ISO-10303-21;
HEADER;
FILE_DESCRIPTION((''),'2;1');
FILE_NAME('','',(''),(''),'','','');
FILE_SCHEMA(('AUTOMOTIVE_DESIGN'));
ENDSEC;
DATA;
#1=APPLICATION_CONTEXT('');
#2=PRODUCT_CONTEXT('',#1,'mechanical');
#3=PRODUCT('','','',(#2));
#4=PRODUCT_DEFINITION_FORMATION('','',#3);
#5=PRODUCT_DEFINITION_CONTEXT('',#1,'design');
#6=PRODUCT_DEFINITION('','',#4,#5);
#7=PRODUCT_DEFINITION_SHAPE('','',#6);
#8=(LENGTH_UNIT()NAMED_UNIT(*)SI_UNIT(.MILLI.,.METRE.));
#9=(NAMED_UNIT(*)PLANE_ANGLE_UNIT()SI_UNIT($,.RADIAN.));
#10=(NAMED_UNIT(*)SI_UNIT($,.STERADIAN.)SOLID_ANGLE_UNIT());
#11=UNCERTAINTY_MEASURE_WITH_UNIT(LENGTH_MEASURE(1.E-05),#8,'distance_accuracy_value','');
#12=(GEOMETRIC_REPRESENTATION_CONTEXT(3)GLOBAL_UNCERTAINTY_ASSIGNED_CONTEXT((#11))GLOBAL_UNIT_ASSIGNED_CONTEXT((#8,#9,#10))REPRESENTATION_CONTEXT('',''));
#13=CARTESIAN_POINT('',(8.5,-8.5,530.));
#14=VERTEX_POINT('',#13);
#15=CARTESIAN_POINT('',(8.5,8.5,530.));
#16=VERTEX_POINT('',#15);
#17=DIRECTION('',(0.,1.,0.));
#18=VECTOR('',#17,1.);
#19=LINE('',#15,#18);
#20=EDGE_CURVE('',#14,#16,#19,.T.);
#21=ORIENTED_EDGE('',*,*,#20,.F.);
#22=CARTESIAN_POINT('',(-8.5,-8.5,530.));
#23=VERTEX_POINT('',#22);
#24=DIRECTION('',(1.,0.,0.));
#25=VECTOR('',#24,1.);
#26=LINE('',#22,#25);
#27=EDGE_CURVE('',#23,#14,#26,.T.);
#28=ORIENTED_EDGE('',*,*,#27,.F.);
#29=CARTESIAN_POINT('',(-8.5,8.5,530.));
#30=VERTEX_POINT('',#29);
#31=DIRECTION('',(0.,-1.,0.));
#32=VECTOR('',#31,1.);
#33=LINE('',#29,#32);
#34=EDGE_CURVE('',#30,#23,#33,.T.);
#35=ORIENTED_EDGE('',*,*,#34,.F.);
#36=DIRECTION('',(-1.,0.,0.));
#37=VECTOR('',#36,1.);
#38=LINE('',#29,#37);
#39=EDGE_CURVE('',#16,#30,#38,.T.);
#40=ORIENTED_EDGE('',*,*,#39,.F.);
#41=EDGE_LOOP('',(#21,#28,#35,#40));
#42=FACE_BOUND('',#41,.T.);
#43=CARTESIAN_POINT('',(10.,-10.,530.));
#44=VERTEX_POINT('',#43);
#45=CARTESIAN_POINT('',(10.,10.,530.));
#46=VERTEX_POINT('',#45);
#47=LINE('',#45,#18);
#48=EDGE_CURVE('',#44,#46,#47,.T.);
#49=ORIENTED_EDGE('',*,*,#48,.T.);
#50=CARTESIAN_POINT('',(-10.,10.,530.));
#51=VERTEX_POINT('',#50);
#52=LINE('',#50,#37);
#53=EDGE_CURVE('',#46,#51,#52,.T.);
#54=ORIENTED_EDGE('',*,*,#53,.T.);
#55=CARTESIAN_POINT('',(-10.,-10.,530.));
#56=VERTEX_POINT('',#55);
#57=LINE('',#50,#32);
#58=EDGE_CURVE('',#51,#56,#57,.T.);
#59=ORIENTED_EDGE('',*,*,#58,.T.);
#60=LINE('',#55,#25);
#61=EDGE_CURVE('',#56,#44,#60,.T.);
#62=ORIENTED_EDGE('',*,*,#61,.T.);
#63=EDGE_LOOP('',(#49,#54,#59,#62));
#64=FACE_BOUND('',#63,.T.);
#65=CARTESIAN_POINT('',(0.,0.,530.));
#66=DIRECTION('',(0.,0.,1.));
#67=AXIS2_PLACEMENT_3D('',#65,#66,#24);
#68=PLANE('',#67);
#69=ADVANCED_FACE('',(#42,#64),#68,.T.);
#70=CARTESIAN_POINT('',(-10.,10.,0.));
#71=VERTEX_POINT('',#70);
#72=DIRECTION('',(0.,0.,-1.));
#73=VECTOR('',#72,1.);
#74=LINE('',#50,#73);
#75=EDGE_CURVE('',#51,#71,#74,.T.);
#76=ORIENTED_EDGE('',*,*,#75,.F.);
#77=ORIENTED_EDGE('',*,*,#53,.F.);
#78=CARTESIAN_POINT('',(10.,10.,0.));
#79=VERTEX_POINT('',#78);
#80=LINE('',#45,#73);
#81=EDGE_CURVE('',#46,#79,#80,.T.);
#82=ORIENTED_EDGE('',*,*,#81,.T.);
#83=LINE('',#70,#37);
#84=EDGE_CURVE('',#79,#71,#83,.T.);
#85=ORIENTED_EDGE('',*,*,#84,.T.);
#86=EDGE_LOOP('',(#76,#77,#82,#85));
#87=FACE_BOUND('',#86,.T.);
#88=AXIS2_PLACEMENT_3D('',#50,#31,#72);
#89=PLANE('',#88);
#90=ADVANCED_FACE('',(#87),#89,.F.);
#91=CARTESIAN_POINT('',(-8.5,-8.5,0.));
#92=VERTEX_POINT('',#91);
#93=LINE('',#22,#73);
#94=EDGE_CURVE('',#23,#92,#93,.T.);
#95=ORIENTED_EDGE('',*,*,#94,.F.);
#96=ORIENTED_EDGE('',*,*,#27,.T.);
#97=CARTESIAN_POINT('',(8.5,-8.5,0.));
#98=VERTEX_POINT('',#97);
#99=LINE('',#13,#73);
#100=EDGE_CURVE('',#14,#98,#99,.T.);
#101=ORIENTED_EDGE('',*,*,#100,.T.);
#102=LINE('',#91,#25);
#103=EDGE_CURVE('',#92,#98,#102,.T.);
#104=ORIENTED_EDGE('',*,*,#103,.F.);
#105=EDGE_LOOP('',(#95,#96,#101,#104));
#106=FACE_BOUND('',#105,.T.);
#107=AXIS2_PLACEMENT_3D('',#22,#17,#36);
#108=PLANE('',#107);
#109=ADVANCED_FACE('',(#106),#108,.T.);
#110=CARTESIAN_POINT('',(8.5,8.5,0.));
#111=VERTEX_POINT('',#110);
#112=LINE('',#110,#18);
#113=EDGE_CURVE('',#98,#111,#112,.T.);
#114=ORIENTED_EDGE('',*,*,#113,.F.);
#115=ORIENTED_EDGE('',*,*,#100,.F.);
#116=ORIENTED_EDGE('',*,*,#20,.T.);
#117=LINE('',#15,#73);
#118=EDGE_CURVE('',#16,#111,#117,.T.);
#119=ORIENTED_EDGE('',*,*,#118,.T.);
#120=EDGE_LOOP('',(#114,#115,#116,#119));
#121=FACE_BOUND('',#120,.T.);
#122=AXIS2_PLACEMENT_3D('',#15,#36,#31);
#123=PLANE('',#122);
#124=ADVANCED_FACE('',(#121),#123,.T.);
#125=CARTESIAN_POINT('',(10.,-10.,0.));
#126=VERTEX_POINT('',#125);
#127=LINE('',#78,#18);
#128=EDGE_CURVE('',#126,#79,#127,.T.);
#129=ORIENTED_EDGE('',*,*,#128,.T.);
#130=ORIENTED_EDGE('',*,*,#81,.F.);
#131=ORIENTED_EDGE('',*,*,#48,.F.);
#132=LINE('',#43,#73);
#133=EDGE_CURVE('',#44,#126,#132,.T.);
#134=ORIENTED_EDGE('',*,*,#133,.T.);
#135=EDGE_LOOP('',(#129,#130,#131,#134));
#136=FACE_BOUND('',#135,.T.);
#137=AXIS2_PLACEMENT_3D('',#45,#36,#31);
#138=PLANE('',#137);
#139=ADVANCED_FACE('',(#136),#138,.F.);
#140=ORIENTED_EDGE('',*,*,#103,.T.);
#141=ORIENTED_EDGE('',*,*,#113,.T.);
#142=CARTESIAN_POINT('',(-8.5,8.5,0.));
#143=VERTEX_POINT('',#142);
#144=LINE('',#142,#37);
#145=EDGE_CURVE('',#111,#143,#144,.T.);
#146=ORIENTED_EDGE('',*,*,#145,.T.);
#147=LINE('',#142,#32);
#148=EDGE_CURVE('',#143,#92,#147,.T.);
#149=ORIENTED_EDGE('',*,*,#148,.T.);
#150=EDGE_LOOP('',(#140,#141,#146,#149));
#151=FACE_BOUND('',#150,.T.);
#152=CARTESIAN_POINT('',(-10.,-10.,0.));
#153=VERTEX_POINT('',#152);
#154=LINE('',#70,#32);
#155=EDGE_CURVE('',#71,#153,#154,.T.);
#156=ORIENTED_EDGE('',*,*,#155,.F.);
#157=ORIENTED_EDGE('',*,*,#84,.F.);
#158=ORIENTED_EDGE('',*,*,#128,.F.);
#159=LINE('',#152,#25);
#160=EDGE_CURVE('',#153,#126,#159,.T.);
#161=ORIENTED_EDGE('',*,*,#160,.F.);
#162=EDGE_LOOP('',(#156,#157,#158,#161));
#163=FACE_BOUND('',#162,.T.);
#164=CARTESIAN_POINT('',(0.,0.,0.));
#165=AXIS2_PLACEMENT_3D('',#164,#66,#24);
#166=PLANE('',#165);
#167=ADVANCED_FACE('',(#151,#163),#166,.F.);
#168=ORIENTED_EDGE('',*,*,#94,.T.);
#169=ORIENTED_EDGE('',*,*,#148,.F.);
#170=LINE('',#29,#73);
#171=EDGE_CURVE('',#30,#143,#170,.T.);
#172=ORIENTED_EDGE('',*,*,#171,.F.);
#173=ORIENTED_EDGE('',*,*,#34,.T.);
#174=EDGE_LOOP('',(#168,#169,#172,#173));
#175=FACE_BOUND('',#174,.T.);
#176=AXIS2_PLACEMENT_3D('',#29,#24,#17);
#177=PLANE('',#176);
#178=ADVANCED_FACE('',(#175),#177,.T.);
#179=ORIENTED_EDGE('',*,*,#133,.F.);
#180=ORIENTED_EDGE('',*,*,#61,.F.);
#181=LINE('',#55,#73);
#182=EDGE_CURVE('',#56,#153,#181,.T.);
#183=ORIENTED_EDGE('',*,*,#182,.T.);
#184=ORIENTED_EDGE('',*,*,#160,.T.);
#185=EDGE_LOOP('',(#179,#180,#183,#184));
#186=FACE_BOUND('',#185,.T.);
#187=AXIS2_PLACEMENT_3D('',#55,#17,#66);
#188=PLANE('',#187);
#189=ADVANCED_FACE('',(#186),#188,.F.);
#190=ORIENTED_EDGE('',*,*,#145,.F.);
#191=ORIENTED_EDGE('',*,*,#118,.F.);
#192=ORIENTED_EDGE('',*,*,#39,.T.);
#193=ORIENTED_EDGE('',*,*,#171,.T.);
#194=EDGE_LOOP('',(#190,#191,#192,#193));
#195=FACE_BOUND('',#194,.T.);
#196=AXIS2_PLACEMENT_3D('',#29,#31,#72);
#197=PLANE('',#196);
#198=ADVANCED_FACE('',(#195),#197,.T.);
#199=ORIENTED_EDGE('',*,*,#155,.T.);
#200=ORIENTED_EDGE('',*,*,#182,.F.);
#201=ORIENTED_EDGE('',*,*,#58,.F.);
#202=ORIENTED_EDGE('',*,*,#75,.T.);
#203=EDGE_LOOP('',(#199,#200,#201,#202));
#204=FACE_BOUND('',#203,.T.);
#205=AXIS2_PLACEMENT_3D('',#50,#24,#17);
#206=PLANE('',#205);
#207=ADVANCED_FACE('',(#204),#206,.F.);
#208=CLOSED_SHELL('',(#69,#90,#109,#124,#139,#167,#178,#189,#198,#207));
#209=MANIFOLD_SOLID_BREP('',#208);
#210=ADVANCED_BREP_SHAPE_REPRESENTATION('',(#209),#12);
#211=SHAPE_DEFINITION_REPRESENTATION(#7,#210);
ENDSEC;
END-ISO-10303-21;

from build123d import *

# Parameters (mm, degrees)
SKETCH_2_W      = 20
SKETCH_2_H      = 20
SKETCH_2_W_2    = 17
SKETCH_2_H_2    = 17
EXTRUDE_1_DEPTH = 530


with BuildPart() as part:
    # ｽｹｯﾁ2 → ﾎﾞｽ - 押し出し1 (new body)
    with BuildSketch(Plane.XY):
        Rectangle(SKETCH_2_W, SKETCH_2_H)
        Rectangle(SKETCH_2_W_2, SKETCH_2_H_2, mode=Mode.SUBTRACT)
    extrude(amount=EXTRUDE_1_DEPTH)


solid = part.part
